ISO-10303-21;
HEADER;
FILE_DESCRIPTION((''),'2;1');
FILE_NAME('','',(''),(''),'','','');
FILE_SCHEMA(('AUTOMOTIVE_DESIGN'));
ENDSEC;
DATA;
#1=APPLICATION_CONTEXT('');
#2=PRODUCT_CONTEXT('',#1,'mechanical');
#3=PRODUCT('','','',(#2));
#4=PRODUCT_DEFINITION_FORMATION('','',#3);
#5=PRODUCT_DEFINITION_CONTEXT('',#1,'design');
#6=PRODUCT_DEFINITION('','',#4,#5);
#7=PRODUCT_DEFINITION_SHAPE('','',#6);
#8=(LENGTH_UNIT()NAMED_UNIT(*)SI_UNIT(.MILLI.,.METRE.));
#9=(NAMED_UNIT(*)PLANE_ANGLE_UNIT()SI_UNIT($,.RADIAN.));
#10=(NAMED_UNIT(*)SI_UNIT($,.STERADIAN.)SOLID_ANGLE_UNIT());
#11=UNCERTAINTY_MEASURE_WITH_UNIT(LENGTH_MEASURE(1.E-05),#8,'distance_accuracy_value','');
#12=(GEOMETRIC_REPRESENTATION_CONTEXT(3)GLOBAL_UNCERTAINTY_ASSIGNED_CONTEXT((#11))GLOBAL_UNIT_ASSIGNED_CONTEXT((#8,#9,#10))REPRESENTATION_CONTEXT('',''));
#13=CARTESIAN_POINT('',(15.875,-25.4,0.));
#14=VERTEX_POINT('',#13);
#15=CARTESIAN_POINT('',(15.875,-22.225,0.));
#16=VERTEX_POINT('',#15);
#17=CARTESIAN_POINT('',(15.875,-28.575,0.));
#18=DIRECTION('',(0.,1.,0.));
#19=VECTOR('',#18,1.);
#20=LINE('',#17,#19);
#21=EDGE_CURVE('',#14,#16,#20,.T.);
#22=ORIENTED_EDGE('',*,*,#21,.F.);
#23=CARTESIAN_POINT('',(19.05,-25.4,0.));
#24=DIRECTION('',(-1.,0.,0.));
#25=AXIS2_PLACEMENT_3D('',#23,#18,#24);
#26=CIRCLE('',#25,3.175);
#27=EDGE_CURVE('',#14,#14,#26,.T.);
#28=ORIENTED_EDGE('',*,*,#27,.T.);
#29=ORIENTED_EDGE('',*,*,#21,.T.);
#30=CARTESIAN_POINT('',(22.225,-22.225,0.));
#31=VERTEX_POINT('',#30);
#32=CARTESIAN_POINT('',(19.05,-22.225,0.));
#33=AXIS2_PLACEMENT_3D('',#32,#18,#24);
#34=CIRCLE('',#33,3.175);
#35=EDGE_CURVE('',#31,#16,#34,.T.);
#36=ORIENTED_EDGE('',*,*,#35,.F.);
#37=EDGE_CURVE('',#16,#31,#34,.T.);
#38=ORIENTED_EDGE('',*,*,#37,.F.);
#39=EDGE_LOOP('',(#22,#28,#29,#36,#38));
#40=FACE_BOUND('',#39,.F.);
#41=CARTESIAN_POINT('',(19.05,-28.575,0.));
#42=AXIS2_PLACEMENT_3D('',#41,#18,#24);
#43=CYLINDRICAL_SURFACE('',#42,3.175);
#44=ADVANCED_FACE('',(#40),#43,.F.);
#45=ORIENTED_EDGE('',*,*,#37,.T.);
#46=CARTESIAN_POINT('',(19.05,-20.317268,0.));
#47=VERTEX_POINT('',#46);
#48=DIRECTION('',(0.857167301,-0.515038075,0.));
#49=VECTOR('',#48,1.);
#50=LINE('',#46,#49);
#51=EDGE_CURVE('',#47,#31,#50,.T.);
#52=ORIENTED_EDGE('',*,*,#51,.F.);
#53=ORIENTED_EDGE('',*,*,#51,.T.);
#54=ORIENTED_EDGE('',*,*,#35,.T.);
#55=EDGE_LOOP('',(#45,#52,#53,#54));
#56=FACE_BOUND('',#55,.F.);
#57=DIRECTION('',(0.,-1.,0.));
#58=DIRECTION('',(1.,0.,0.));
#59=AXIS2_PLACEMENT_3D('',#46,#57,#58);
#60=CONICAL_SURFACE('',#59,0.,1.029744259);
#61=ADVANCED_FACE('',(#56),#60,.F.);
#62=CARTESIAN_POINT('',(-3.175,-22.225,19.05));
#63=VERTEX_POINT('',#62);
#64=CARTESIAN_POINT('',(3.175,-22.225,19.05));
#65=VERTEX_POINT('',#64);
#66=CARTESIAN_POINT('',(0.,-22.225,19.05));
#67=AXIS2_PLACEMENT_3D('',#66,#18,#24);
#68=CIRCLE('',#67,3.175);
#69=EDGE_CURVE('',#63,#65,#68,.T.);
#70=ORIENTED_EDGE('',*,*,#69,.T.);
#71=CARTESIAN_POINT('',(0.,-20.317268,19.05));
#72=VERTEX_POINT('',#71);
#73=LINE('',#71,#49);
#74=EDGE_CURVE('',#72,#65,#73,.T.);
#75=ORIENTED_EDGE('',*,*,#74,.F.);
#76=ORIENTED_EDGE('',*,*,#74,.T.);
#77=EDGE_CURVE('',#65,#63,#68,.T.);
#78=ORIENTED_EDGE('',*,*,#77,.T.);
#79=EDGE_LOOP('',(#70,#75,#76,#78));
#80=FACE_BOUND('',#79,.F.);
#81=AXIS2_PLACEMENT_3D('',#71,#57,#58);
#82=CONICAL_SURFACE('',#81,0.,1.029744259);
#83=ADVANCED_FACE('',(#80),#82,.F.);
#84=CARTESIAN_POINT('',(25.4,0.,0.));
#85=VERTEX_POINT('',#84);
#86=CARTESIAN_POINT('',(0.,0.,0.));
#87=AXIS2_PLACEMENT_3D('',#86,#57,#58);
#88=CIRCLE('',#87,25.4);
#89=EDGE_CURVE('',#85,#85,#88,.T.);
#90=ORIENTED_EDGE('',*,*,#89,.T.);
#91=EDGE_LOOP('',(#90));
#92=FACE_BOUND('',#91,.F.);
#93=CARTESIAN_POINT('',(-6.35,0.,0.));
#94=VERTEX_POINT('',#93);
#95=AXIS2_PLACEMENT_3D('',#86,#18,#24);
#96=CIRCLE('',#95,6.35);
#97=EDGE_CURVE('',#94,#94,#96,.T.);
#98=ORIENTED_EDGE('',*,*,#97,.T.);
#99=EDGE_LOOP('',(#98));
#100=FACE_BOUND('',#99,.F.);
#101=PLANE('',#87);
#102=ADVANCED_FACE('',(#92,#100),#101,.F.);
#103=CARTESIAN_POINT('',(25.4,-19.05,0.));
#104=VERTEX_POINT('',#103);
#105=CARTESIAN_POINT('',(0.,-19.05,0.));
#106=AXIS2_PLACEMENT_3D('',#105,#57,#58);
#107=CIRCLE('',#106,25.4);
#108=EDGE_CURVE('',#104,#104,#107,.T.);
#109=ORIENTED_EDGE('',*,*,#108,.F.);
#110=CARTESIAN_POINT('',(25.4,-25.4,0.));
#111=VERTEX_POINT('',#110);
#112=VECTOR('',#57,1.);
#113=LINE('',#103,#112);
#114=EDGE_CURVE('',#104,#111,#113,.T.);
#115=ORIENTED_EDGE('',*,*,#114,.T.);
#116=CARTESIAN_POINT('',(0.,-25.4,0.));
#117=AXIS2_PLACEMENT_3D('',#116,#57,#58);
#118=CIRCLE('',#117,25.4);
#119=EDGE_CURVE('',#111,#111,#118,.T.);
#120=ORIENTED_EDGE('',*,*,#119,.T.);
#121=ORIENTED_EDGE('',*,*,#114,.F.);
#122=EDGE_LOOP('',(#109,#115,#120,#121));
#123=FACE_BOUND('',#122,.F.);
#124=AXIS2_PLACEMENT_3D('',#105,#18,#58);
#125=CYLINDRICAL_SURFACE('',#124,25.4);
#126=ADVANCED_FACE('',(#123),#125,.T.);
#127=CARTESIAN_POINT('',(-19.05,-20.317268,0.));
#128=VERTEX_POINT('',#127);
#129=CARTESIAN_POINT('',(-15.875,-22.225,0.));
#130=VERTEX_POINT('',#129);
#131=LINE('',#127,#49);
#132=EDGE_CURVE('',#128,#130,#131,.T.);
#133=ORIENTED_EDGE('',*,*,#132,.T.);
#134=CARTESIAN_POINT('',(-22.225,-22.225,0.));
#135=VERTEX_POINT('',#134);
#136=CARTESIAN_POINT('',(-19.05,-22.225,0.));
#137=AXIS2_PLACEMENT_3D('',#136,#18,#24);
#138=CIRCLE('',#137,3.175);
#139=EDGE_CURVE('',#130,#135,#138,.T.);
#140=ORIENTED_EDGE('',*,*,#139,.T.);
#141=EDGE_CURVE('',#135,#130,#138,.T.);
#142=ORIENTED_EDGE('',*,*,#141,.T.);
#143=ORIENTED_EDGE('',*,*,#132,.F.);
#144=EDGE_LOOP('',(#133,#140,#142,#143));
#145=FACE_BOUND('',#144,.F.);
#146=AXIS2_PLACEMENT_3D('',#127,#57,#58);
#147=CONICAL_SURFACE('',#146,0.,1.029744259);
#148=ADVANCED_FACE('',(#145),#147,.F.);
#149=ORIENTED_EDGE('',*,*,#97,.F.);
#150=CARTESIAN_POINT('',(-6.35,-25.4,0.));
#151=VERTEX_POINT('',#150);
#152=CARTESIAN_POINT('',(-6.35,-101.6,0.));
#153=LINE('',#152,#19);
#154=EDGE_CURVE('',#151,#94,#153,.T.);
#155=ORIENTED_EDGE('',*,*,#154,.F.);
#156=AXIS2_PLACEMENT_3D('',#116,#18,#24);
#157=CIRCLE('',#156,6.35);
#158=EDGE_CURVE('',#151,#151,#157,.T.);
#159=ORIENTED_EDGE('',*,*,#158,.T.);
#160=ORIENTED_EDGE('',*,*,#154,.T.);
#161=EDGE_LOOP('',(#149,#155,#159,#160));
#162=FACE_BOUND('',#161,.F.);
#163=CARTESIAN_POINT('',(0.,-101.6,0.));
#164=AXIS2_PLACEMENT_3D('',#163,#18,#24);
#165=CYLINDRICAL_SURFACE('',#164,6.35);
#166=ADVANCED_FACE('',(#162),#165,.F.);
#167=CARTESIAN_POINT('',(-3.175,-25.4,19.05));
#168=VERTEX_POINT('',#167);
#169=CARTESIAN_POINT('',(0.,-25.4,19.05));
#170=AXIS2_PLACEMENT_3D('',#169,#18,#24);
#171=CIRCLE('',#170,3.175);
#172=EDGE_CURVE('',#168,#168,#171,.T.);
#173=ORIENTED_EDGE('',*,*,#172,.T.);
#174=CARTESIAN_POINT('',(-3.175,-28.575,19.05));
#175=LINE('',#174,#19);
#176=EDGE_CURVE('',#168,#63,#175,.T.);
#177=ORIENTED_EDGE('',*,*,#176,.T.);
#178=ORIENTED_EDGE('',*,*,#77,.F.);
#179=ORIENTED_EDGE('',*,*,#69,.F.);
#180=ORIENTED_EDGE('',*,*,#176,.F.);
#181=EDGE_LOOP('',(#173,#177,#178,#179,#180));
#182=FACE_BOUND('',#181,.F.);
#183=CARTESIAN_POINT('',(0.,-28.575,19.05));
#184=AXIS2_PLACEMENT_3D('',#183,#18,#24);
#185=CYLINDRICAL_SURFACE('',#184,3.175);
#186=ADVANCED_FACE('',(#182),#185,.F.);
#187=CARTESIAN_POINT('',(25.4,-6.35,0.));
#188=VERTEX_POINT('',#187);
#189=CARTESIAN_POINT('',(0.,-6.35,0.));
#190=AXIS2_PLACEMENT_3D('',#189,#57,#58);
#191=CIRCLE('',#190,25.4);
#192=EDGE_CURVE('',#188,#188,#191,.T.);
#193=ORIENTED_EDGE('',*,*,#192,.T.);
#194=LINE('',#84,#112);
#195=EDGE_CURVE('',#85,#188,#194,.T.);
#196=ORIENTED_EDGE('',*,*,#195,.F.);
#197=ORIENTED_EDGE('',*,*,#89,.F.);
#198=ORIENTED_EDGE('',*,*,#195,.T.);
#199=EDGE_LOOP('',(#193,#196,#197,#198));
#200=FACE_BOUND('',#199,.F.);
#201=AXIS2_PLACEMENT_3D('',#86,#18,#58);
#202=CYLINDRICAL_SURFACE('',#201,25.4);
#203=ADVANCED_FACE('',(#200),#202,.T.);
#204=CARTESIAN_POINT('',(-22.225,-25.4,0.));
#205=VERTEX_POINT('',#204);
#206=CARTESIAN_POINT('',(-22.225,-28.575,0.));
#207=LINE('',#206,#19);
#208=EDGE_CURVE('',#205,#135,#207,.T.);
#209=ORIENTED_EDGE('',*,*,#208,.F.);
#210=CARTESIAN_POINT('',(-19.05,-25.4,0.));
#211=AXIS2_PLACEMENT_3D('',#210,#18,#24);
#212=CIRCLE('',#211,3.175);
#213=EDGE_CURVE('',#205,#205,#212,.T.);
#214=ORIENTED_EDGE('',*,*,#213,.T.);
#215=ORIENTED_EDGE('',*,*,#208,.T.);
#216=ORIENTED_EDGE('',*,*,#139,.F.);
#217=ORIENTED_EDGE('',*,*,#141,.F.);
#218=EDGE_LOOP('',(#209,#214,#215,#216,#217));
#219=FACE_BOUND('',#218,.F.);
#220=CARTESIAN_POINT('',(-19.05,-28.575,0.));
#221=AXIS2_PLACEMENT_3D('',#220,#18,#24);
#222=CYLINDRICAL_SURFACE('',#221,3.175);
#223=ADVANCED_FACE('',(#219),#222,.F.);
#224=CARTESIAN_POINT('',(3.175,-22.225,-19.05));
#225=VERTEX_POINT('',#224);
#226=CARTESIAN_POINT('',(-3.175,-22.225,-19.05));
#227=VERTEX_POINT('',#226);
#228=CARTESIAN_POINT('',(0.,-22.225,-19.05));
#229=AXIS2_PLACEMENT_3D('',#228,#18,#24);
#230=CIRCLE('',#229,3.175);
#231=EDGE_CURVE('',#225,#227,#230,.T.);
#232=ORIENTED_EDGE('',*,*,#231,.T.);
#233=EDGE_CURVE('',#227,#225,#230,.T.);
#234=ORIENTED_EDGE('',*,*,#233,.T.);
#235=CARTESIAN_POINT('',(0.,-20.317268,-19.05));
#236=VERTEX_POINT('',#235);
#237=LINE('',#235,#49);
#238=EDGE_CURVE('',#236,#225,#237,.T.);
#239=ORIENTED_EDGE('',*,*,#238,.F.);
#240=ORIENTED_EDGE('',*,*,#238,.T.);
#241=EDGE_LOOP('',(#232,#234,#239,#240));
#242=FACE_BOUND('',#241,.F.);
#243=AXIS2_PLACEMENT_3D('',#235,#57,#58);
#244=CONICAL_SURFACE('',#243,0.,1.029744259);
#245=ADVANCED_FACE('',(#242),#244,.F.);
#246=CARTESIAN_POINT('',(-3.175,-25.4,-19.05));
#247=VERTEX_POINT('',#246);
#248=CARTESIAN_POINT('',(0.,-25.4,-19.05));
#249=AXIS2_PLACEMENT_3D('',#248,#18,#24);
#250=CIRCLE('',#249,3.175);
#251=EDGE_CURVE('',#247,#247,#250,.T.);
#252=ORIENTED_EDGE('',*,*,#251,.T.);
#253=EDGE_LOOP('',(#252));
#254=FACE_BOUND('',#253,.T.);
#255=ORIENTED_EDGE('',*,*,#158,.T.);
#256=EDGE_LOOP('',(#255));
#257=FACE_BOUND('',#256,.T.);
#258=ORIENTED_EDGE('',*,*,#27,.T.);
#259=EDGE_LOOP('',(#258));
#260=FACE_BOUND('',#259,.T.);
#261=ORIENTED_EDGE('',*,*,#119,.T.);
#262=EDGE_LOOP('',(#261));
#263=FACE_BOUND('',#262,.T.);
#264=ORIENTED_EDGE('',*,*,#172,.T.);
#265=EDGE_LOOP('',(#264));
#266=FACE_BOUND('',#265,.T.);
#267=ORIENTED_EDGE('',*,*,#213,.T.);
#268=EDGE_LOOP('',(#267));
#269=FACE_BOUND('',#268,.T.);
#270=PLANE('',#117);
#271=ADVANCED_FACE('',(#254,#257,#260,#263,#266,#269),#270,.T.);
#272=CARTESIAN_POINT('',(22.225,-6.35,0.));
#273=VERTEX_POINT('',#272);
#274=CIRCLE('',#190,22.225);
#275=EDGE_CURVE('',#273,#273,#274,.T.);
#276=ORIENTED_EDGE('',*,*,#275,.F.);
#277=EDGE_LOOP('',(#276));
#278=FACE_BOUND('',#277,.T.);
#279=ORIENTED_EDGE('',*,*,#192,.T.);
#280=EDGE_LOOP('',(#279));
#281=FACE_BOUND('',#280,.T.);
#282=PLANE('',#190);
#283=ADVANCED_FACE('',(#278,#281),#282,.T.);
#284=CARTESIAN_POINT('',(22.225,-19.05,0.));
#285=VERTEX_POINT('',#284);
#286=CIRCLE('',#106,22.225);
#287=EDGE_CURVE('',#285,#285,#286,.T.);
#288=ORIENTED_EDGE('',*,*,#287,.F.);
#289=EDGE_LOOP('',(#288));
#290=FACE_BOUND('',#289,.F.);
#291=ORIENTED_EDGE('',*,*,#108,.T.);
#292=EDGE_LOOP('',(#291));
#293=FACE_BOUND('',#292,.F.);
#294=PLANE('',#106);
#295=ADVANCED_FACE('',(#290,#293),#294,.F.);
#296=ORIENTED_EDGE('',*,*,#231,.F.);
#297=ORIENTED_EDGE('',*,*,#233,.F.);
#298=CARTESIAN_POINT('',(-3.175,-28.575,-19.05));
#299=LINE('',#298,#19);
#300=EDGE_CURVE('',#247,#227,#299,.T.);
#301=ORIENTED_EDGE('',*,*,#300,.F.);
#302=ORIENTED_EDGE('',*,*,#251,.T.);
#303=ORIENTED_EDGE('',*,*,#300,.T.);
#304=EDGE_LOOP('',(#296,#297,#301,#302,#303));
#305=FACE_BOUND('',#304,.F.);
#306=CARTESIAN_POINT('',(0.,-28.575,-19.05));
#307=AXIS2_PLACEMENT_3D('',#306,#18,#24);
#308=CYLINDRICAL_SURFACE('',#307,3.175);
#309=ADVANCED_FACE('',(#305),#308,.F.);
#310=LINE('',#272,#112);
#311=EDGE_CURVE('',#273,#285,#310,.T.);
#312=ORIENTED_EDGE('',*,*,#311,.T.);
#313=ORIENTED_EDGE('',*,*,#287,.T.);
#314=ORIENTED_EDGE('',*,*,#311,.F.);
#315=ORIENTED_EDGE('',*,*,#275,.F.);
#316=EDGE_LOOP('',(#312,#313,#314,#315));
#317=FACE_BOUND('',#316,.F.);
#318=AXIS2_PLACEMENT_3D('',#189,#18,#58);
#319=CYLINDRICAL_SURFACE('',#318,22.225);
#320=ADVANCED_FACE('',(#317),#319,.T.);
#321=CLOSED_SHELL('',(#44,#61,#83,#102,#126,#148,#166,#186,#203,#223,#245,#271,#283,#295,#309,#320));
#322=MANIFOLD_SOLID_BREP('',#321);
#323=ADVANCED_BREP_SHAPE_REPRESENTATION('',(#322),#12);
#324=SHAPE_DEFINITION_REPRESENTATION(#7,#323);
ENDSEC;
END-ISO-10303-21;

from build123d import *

# Parameters (mm, degrees)
F0_R     = 25.4
F1_DEPTH = 6.35
F2_R     = 22.225
F3_DEPTH = 12.7
F4_R     = 25.4
F5_DEPTH = 6.35
F7_D     = 6.35
F7_DEPTH = 3.175
F7_TIP   = 1.9077324654
F9_D     = 12.7


with BuildPart() as f1:
    # F0 (on Front) → F1 (new body)
    with BuildSketch(Plane.XZ):
        Circle(F0_R)
    extrude(amount=F1_DEPTH)

    # F2 (on face) → F3 (join)
    with BuildSketch(Plane.XZ.offset(6.35)):
        Circle(F2_R)
    extrude(amount=F3_DEPTH)

    # F4 (on face) → F5 (join)
    with BuildSketch(Plane.XZ.offset(19.05)):
        Circle(F4_R)
    extrude(amount=F5_DEPTH)

    # F7
    with Locations(Plane.XZ.offset(25.4)):
        with Locations((-19.05, 0), (0, -19.05), (19.05, 0), (0, 19.05)):
            Hole(F7_D / 2, depth=F7_DEPTH)
            with Locations((0, 0, -(F7_DEPTH + F7_TIP / 2))):  # 118° drill point
                Cone(0, F7_D / 2, F7_TIP, mode=Mode.SUBTRACT)

    # F9 (through all)
    with Locations(Plane.XZ.offset(25.4)):
        with Locations((0, 0)):
            Hole(F9_D / 2)


solid = f1.part
